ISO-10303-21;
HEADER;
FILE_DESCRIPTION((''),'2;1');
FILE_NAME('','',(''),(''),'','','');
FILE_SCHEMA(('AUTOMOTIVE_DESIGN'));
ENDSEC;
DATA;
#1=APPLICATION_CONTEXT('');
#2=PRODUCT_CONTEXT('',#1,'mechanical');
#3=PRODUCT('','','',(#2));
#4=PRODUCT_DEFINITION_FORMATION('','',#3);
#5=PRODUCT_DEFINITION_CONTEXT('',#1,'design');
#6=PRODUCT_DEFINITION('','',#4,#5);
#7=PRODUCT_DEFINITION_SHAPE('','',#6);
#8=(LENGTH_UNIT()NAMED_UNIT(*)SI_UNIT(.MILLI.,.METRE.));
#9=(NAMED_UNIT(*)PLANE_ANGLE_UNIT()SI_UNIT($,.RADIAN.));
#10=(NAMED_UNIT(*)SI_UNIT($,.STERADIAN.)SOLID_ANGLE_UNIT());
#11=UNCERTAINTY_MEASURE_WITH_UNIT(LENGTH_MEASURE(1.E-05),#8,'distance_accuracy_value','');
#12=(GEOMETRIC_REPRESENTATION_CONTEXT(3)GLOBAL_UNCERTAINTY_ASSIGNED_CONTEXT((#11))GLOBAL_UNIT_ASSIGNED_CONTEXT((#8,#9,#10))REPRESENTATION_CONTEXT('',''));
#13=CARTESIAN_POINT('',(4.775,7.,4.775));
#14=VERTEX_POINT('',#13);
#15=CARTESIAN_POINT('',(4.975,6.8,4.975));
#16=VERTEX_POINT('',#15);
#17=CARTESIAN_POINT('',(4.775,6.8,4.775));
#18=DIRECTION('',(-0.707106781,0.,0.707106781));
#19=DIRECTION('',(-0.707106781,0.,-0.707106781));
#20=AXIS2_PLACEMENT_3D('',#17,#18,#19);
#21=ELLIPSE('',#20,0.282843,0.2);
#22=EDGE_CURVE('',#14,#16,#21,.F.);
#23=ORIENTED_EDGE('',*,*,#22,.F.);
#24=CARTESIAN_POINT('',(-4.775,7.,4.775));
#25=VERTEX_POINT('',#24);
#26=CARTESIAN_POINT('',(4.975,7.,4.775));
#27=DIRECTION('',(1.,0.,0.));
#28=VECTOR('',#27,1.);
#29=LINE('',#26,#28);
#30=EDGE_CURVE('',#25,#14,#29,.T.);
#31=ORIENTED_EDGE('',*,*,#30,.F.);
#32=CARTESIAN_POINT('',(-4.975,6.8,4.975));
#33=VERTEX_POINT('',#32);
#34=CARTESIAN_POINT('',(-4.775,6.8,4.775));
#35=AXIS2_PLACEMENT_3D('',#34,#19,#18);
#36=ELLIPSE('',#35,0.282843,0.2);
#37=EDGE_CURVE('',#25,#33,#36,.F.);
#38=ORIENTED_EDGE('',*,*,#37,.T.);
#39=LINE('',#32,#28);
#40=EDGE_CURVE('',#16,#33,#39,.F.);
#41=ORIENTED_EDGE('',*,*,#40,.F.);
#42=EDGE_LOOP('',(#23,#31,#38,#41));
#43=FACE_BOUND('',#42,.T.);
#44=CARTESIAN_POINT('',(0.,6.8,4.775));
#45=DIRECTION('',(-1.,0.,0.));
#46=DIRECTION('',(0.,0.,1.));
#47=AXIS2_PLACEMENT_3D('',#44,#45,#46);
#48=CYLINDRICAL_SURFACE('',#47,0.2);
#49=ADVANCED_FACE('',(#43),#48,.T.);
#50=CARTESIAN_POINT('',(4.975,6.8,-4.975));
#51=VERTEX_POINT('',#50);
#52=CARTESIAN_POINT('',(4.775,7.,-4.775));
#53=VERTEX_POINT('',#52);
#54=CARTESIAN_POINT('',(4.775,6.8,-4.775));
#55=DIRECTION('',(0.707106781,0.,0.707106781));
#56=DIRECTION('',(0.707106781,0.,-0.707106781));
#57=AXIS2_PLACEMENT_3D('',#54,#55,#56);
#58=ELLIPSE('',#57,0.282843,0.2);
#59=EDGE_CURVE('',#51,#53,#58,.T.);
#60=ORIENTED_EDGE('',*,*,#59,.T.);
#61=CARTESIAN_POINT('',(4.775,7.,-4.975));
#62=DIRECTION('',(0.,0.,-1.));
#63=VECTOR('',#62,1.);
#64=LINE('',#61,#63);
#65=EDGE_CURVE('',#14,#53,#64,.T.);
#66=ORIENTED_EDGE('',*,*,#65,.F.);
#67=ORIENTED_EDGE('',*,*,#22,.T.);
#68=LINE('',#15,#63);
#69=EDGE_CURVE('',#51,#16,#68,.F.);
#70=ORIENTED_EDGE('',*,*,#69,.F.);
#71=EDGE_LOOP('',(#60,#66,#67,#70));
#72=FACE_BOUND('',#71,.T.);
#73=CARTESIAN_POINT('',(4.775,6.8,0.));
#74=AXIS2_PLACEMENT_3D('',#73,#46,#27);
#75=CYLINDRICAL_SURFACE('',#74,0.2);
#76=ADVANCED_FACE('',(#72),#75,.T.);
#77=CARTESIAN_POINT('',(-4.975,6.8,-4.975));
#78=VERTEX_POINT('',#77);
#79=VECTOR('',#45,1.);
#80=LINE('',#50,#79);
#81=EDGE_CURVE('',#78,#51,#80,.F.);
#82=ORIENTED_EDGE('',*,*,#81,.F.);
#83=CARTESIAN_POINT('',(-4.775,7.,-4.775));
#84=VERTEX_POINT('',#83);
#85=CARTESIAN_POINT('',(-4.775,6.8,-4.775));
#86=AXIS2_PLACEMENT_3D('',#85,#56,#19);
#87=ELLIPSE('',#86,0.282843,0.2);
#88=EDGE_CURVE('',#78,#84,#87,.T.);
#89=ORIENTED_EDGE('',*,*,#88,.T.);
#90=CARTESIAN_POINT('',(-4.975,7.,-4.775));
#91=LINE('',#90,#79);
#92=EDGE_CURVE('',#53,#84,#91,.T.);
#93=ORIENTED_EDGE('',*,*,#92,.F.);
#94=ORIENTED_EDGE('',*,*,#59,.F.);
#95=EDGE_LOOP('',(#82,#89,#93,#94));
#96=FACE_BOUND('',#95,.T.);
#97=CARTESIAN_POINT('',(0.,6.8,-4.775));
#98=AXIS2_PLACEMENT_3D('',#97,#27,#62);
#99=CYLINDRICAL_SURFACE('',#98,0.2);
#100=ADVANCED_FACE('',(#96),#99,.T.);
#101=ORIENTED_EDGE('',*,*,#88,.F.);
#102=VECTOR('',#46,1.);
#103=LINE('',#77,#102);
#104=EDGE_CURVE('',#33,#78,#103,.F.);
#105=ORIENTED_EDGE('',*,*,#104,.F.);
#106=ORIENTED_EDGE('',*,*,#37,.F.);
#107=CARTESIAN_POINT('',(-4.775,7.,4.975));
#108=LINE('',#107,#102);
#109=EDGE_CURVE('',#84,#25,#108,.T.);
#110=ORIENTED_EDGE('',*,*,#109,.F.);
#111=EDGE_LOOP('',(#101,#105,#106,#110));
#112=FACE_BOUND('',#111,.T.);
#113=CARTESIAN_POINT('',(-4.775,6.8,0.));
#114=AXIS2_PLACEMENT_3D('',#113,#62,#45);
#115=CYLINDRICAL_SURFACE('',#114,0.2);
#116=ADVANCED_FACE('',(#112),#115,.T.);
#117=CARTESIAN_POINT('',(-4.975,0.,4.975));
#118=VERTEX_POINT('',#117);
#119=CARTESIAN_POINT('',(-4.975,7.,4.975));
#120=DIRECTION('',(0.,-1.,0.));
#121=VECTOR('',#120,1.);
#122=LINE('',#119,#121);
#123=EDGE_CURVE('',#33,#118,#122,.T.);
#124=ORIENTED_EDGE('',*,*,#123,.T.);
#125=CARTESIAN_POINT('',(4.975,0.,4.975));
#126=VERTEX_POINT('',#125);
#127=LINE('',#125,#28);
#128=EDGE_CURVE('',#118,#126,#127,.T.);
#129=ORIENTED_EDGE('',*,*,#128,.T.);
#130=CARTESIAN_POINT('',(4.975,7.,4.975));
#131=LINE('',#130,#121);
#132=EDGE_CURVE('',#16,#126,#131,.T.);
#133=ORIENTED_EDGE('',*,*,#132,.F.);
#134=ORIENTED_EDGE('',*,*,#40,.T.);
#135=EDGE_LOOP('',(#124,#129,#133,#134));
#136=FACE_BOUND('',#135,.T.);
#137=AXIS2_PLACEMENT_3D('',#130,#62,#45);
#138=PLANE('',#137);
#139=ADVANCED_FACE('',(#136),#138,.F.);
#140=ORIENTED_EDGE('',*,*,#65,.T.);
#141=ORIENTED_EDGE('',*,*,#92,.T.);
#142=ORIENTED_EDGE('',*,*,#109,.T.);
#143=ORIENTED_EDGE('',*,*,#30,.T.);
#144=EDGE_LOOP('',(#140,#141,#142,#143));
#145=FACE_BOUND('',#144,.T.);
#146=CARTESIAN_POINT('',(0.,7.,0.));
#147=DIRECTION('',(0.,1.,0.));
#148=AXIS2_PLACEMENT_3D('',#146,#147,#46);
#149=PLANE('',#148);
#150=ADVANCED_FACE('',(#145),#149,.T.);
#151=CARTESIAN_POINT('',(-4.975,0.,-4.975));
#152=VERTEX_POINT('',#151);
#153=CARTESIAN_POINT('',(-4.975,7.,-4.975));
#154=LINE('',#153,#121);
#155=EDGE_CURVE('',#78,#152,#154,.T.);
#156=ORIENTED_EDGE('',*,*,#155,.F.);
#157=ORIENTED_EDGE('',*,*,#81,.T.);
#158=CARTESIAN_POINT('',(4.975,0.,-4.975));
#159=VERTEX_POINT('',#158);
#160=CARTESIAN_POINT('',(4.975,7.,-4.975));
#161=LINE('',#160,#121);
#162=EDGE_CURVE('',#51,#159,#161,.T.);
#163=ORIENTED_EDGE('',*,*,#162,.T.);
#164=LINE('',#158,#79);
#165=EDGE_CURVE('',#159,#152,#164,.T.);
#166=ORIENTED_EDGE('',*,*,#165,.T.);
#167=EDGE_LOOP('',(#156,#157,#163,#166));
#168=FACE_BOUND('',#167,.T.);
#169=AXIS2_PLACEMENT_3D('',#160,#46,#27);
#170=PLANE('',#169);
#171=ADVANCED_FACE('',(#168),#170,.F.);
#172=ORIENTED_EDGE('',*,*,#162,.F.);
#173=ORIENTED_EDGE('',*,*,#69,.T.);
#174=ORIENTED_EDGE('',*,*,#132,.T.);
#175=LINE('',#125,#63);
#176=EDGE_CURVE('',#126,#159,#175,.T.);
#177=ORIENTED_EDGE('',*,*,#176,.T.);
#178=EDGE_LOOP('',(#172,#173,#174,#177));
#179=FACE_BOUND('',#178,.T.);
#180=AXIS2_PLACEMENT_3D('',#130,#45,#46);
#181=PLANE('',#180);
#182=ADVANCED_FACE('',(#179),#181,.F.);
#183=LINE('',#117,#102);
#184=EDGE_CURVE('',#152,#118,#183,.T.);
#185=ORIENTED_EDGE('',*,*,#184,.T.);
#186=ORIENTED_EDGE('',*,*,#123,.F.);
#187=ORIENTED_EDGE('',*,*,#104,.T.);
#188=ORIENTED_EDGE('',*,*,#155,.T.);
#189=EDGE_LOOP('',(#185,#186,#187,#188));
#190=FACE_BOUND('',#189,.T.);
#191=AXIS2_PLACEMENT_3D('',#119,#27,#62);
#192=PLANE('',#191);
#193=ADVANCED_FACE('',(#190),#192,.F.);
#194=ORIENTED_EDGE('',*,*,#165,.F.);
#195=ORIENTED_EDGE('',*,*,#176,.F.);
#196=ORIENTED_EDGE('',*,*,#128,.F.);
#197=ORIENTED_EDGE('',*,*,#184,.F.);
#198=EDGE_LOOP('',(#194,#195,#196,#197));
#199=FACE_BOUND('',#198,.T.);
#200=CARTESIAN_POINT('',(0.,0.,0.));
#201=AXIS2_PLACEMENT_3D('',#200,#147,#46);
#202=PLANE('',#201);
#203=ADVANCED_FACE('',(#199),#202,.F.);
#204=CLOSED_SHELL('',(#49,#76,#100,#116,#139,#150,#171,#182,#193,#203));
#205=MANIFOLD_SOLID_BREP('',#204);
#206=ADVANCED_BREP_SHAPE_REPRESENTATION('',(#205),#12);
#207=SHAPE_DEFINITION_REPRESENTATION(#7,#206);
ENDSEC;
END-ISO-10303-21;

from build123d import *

# Parameters (mm, degrees)
SKETCH1_W           = 9.95
SKETCH1_H           = 9.95
BOSS_EXTRUDE1_DEPTH = 7
FILLET1_R           = 0.2


with BuildPart() as part:
    # Sketch1 → Boss-Extrude1 (new body)
    with BuildSketch(Plane(origin=(0, 0, 0), x_dir=(1, 0, 0), z_dir=(0, 1, 0))):
        Rectangle(SKETCH1_W, SKETCH1_H)
    extrude(amount=BOSS_EXTRUDE1_DEPTH)

    # Fillet1
    fillet1_edges = [part.edges().sort_by_distance(p)[0] for p in [
        (4.975, 7, 0),
        (0, 7, -4.975),
        (-4.975, 7, 0),
        (0, 7, 4.975),
    ]]
    fillet(fillet1_edges, radius=FILLET1_R)


solid = part.part
